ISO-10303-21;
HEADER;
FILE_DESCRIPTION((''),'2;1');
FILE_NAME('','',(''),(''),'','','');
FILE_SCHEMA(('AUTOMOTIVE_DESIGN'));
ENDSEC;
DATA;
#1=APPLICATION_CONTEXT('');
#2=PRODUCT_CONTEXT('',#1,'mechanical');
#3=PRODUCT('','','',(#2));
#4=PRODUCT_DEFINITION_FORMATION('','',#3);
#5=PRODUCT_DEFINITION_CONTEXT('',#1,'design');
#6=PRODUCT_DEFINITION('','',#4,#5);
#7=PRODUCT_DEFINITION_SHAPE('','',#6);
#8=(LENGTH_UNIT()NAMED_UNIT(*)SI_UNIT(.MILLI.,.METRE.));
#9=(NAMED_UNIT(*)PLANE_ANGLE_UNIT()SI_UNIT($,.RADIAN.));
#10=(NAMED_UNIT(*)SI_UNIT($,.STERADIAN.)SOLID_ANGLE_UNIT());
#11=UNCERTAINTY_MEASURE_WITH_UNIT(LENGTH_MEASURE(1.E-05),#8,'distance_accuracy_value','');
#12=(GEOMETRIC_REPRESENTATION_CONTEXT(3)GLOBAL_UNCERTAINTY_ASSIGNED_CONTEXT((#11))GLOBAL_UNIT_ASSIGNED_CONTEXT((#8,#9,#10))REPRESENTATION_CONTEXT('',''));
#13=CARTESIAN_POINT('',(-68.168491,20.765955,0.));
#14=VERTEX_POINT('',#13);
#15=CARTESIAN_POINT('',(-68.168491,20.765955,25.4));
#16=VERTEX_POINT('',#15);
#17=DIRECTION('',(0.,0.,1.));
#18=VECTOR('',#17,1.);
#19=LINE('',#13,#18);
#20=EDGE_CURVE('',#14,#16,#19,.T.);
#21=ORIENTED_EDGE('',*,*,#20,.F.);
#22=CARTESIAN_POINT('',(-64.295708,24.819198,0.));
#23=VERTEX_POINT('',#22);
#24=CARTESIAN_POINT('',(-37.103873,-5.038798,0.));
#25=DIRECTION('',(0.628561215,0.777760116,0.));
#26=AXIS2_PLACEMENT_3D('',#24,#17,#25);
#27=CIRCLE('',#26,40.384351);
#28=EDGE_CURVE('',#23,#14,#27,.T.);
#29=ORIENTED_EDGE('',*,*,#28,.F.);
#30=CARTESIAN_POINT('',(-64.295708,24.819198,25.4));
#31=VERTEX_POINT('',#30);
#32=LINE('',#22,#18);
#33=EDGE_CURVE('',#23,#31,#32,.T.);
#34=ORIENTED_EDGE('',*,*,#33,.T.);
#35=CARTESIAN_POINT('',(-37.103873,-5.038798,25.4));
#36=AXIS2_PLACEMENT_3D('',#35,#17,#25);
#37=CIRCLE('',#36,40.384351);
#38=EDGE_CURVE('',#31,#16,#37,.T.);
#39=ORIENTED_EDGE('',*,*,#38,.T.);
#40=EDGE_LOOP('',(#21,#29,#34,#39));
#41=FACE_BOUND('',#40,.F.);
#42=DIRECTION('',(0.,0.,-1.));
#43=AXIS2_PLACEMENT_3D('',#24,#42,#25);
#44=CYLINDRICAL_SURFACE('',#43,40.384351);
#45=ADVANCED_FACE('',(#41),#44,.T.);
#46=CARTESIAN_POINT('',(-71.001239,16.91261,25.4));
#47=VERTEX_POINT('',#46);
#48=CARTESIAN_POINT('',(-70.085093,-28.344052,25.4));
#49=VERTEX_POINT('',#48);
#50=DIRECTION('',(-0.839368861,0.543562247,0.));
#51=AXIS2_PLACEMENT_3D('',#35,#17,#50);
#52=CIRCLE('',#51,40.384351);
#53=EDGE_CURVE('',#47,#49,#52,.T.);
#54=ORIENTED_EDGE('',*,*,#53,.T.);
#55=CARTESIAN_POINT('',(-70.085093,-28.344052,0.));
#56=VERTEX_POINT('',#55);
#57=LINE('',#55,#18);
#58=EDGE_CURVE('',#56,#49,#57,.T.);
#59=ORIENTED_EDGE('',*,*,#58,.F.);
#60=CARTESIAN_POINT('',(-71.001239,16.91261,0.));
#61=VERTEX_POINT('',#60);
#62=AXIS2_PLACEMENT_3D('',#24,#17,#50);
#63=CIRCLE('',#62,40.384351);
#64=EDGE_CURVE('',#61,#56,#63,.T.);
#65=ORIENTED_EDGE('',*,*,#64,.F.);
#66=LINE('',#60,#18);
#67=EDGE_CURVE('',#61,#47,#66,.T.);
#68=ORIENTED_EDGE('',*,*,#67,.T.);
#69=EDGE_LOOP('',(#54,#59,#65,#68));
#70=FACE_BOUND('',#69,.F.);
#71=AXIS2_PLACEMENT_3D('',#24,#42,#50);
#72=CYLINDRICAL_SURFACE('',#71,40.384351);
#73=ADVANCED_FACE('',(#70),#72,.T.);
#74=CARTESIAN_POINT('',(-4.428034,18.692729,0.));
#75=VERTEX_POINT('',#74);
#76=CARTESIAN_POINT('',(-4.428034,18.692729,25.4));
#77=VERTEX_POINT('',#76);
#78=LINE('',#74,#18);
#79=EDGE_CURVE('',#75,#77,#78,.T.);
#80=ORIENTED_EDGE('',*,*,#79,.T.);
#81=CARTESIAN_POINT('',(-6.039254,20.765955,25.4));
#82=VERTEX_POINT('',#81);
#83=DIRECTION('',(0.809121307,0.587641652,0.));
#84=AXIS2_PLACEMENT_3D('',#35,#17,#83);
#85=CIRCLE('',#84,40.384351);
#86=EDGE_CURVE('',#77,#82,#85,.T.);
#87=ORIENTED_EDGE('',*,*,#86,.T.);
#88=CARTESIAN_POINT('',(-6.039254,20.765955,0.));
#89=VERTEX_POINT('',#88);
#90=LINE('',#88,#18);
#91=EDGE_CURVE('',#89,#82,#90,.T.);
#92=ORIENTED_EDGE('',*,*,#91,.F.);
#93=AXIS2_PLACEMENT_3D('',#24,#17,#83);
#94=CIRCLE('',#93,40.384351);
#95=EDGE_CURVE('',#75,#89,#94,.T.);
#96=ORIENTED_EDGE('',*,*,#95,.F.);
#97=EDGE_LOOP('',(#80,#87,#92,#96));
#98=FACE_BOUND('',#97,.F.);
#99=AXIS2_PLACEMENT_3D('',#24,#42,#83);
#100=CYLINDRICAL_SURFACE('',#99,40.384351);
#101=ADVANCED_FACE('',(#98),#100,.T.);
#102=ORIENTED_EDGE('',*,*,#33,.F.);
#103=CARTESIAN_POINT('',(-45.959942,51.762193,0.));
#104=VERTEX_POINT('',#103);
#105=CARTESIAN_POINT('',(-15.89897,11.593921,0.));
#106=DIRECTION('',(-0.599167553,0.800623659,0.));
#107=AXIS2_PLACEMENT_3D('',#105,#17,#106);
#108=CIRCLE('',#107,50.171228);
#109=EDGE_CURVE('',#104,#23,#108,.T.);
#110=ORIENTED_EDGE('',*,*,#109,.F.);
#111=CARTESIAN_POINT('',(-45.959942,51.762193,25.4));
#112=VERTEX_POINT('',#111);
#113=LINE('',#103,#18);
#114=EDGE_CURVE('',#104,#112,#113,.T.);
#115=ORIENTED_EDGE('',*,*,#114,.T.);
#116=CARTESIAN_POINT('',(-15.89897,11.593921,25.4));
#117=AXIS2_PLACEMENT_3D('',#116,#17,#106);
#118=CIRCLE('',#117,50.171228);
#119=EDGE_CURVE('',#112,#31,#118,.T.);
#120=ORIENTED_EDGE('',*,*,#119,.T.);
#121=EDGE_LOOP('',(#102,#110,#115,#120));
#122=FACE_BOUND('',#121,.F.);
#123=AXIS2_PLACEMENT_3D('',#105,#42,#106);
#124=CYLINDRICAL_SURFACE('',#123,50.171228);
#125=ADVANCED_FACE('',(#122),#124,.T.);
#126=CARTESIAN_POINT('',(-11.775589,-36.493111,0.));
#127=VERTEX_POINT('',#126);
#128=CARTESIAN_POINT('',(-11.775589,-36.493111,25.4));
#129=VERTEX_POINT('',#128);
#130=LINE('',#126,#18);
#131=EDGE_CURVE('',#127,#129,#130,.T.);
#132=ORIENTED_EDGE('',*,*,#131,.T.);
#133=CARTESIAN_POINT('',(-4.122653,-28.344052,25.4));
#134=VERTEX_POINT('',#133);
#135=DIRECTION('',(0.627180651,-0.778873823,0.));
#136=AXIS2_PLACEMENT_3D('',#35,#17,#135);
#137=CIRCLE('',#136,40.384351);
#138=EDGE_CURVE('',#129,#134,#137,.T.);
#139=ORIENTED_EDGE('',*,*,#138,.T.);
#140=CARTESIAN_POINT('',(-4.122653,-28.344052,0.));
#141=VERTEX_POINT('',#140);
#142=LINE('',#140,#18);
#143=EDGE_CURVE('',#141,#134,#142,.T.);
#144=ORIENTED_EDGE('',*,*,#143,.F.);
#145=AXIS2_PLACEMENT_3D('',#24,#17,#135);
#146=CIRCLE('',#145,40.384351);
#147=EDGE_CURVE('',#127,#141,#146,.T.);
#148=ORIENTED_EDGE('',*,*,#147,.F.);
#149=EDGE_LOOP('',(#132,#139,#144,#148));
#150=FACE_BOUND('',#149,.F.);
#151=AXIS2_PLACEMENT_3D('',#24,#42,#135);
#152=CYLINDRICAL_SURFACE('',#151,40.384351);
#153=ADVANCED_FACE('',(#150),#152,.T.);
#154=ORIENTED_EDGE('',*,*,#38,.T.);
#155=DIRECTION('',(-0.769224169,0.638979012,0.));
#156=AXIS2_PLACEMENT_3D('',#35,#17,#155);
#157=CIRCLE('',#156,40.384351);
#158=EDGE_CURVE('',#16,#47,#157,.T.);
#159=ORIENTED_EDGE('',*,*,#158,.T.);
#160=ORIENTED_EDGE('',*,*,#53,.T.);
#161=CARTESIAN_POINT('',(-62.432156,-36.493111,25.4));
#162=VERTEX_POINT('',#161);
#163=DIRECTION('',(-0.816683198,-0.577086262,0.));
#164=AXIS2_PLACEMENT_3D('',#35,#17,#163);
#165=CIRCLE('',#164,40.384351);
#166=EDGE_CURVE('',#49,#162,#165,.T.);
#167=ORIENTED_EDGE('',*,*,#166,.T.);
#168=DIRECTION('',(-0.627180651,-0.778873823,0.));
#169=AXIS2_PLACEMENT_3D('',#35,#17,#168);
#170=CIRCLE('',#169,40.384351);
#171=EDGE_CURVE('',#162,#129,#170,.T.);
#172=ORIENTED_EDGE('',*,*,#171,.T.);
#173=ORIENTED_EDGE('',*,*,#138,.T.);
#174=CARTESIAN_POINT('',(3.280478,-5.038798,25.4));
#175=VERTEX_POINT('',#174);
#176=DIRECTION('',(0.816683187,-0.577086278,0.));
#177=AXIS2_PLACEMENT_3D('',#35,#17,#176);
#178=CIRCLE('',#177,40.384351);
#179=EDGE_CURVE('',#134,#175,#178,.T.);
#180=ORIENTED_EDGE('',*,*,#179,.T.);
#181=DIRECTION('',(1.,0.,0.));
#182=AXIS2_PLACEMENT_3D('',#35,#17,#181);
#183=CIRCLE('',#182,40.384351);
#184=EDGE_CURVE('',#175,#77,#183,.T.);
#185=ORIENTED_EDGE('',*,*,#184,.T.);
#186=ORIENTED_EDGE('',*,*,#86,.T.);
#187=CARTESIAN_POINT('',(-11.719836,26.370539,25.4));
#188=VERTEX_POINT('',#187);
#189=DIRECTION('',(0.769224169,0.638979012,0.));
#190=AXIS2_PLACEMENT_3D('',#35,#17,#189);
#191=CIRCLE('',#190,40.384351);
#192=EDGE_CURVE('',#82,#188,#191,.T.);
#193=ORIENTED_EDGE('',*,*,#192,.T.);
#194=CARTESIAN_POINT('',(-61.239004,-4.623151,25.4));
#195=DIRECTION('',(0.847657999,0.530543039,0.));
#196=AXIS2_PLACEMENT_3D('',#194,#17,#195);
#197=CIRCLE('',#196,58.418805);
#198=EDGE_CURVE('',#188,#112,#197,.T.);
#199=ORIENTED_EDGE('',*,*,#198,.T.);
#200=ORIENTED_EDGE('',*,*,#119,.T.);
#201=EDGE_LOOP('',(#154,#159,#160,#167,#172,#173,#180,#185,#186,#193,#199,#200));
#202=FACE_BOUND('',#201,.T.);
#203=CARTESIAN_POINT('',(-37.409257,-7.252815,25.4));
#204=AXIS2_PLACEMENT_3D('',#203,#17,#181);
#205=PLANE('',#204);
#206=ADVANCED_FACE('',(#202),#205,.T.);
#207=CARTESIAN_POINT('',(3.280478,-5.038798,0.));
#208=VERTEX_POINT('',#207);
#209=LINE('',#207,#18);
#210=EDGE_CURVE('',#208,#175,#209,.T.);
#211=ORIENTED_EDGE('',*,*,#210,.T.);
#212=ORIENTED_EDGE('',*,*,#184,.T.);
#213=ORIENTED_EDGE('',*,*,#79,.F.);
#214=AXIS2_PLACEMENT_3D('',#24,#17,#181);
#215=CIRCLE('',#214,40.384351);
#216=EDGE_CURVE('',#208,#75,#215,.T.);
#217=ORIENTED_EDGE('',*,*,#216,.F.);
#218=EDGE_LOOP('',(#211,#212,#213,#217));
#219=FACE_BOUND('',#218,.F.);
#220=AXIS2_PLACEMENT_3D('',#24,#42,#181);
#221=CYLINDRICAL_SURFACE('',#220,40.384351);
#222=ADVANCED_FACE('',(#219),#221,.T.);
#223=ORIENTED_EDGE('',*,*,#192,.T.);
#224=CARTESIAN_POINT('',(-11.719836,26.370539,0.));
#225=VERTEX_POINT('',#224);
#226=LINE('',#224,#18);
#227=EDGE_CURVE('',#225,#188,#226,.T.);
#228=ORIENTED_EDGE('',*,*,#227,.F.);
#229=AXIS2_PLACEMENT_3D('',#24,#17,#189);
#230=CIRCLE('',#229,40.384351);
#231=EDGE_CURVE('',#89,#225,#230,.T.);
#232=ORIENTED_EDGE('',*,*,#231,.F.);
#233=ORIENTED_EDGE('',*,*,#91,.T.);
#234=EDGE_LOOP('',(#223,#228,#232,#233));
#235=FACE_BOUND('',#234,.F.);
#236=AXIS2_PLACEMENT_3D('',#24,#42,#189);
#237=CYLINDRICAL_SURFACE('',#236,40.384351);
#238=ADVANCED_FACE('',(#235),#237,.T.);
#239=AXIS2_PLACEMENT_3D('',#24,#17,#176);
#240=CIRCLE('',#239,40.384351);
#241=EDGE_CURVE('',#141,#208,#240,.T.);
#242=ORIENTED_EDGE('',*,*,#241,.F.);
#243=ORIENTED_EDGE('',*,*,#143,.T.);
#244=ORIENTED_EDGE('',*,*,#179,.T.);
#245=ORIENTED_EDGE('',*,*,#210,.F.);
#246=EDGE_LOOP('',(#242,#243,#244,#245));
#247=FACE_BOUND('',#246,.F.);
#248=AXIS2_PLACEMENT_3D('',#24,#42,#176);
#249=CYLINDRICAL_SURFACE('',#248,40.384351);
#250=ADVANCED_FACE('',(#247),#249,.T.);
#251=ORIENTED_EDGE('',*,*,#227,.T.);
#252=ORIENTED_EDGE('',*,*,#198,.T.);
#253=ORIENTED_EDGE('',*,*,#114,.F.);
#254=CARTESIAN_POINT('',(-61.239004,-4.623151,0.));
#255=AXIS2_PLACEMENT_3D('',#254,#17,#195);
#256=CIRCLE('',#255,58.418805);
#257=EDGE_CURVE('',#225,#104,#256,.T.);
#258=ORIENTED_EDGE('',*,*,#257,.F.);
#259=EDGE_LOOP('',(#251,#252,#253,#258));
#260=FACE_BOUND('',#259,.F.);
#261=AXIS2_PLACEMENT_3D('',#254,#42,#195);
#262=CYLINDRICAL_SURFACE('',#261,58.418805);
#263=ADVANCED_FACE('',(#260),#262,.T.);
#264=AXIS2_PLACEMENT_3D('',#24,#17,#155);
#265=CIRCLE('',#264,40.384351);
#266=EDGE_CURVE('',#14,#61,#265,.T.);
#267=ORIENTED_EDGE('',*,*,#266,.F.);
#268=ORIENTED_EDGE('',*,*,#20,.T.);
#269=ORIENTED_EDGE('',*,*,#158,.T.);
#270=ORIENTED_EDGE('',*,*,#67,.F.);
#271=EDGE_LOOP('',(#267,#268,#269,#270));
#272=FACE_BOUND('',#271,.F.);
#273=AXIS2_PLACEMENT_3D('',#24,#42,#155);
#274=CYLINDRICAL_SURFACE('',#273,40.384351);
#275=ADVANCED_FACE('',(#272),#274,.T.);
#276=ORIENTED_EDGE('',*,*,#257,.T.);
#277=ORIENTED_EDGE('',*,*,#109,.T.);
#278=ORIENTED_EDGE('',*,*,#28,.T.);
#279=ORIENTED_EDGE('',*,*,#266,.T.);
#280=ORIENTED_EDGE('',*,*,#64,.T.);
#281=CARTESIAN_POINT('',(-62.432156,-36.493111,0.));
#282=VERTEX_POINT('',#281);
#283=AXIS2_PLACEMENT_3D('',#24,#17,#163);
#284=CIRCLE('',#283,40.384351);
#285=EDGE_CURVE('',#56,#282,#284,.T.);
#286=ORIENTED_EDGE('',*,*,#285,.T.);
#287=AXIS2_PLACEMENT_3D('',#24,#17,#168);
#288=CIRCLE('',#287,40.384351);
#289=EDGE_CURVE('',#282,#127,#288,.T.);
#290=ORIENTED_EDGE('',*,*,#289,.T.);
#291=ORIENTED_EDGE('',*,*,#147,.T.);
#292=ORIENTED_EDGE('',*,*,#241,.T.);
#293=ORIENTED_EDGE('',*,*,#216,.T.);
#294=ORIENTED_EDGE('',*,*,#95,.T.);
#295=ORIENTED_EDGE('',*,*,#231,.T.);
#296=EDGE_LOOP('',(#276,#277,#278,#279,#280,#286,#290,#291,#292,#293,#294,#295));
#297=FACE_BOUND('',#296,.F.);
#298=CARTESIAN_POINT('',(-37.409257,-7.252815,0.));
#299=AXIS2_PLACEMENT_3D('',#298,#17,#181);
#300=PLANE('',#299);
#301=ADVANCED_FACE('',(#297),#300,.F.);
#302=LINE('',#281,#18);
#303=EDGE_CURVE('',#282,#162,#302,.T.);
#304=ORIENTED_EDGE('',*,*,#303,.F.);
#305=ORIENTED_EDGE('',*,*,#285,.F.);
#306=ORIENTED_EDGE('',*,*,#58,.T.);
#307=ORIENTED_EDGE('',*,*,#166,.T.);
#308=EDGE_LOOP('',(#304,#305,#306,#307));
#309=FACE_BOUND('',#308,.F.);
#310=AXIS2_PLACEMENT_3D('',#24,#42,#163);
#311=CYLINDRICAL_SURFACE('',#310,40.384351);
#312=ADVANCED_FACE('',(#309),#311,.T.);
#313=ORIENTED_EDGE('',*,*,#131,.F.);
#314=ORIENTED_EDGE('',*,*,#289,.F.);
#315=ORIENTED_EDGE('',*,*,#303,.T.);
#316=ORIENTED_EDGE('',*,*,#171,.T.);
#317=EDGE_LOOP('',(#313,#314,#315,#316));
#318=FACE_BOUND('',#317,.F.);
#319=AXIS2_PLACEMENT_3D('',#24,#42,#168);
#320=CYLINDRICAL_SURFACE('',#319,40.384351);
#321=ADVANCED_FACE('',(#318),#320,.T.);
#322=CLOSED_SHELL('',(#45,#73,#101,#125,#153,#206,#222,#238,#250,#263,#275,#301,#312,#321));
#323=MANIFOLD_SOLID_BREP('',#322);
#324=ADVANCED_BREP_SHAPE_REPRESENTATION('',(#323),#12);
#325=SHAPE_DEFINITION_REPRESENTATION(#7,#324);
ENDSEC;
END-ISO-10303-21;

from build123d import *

# Parameters (mm, degrees)
F0_W     = 35.4242771864
F0_H     = 26.7208982259
F1_DEPTH = 25.4


with BuildPart() as f1:
    # F0 (on Top) → F1 (new body)
    with BuildSketch(Plane.XY):
        with Locations((-37.4092571437, -7.2528151795)):
            Rectangle(F0_W, F0_H)
        with BuildLine():
            Line((-19.6971185505, -20.6132642925), (-55.1213957369, -20.6132642925))
            Line((-55.1213957369, -20.6132642925), (-70.085093379, -20.6132642925))
            Line((-70.085093379, -20.6132642925), (-70.085093379, -28.3440517993))
            ThreePointArc((-70.085093379, -28.3440517993), (-66.5419663572, -32.6846731421), (-62.4321560506, -36.4931114018))
            Line((-62.4321560506, -36.4931114018), (-11.7755894419, -36.4931114018))
            ThreePointArc((-11.7755894419, -36.4931114018), (-7.6657794114, -32.6846734362), (-4.1226525791, -28.3440524583))
            Line((-4.1226525791, -28.3440524583), (-4.1226525791, -20.6132642925))
            Line((-4.1226525791, -20.6132642925), (-19.6971185505, -20.6132642925))
        make_face()
        with BuildLine():
            Line((-11.7755894419, -36.4931114018), (-62.4321560506, -36.4931114018))
            ThreePointArc((-62.4321560506, -36.4931114018), (-37.1038727462, -45.4231484856), (-11.7755894419, -36.4931114018))
        make_face()
        with BuildLine():
            Line((-4.4280341826, 6.1076339334), (-19.6971185505, 6.1076339334))
            Line((-19.6971185505, 6.1076339334), (-19.6971185505, -20.6132642925))
            Line((-19.6971185505, -20.6132642925), (-4.1226525791, -20.6132642925))
            Line((-4.1226525791, -20.6132642925), (-4.1226525791, -28.3440524583))
            ThreePointArc((-4.1226525791, -28.3440524583), (1.3852226917, -17.2652163085), (3.2804778839, -5.0387978554))
            ThreePointArc((3.2804778839, -5.0387978554), (1.3050344076, 7.4372442681), (-4.4280341826, 18.6927286439))
            Line((-4.4280341826, 18.6927286439), (-4.4280341826, 6.1076339334))
        make_face()
        with BuildLine():
            ThreePointArc((-45.9599420428, 51.7621934414), (-57.3764856117, 39.820997475), (-64.2957075029, 24.8191976967))
            ThreePointArc((-64.2957075029, 24.8191976967), (-38.2949642137, 35.3279839948), (-11.7198362332, 26.3705393889))
            ThreePointArc((-11.7198362332, 26.3705393889), (-26.4412071067, 42.3009381523), (-45.9599420428, 51.7621934414))
        make_face()
        with BuildLine():
            Line((-71.001239121, 16.9126104976), (-71.001239121, 6.1076339334))
            Line((-71.001239121, 6.1076339334), (-55.1213957369, 6.1076339334))
            Line((-55.1213957369, 6.1076339334), (-19.6971185505, 6.1076339334))
            Line((-19.6971185505, 6.1076339334), (-4.4280341826, 6.1076339334))
            Line((-4.4280341826, 6.1076339334), (-4.4280341826, 18.6927286439))
            ThreePointArc((-4.4280341826, 18.6927286439), (-5.2167901821, 19.742439833), (-6.0392542058, 20.7659546286))
            Line((-6.0392542058, 20.7659546286), (-68.1684912867, 20.7659546286))
            ThreePointArc((-68.1684912867, 20.7659546286), (-69.641957144, 18.8812531384), (-71.001239121, 16.9126104976))
        make_face()
        with BuildLine():
            ThreePointArc((-64.2957075029, 24.8191976967), (-66.3025162512, 22.859857906), (-68.1684912867, 20.7659546286))
            Line((-68.1684912867, 20.7659546286), (-6.0392542058, 20.7659546286))
            ThreePointArc((-6.0392542058, 20.7659546286), (-8.7407715949, 23.7089023813), (-11.7198362332, 26.3705393889))
            ThreePointArc((-11.7198362332, 26.3705393889), (-38.2949642137, 35.3279839948), (-64.2957075029, 24.8191976967))
        make_face()
        with BuildLine():
            Line((-55.1213957369, 6.1076339334), (-71.001239121, 6.1076339334))
            Line((-71.001239121, 6.1076339334), (-71.001239121, 16.9126104976))
            ThreePointArc((-71.001239121, 16.9126104976), (-77.479951315, -5.8561443096), (-70.085093379, -28.3440517993))
            Line((-70.085093379, -28.3440517993), (-70.085093379, -20.6132642925))
            Line((-70.085093379, -20.6132642925), (-55.1213957369, -20.6132642925))
            Line((-55.1213957369, -20.6132642925), (-55.1213957369, 6.1076339334))
        make_face()
    extrude(amount=F1_DEPTH)


solid = f1.part
